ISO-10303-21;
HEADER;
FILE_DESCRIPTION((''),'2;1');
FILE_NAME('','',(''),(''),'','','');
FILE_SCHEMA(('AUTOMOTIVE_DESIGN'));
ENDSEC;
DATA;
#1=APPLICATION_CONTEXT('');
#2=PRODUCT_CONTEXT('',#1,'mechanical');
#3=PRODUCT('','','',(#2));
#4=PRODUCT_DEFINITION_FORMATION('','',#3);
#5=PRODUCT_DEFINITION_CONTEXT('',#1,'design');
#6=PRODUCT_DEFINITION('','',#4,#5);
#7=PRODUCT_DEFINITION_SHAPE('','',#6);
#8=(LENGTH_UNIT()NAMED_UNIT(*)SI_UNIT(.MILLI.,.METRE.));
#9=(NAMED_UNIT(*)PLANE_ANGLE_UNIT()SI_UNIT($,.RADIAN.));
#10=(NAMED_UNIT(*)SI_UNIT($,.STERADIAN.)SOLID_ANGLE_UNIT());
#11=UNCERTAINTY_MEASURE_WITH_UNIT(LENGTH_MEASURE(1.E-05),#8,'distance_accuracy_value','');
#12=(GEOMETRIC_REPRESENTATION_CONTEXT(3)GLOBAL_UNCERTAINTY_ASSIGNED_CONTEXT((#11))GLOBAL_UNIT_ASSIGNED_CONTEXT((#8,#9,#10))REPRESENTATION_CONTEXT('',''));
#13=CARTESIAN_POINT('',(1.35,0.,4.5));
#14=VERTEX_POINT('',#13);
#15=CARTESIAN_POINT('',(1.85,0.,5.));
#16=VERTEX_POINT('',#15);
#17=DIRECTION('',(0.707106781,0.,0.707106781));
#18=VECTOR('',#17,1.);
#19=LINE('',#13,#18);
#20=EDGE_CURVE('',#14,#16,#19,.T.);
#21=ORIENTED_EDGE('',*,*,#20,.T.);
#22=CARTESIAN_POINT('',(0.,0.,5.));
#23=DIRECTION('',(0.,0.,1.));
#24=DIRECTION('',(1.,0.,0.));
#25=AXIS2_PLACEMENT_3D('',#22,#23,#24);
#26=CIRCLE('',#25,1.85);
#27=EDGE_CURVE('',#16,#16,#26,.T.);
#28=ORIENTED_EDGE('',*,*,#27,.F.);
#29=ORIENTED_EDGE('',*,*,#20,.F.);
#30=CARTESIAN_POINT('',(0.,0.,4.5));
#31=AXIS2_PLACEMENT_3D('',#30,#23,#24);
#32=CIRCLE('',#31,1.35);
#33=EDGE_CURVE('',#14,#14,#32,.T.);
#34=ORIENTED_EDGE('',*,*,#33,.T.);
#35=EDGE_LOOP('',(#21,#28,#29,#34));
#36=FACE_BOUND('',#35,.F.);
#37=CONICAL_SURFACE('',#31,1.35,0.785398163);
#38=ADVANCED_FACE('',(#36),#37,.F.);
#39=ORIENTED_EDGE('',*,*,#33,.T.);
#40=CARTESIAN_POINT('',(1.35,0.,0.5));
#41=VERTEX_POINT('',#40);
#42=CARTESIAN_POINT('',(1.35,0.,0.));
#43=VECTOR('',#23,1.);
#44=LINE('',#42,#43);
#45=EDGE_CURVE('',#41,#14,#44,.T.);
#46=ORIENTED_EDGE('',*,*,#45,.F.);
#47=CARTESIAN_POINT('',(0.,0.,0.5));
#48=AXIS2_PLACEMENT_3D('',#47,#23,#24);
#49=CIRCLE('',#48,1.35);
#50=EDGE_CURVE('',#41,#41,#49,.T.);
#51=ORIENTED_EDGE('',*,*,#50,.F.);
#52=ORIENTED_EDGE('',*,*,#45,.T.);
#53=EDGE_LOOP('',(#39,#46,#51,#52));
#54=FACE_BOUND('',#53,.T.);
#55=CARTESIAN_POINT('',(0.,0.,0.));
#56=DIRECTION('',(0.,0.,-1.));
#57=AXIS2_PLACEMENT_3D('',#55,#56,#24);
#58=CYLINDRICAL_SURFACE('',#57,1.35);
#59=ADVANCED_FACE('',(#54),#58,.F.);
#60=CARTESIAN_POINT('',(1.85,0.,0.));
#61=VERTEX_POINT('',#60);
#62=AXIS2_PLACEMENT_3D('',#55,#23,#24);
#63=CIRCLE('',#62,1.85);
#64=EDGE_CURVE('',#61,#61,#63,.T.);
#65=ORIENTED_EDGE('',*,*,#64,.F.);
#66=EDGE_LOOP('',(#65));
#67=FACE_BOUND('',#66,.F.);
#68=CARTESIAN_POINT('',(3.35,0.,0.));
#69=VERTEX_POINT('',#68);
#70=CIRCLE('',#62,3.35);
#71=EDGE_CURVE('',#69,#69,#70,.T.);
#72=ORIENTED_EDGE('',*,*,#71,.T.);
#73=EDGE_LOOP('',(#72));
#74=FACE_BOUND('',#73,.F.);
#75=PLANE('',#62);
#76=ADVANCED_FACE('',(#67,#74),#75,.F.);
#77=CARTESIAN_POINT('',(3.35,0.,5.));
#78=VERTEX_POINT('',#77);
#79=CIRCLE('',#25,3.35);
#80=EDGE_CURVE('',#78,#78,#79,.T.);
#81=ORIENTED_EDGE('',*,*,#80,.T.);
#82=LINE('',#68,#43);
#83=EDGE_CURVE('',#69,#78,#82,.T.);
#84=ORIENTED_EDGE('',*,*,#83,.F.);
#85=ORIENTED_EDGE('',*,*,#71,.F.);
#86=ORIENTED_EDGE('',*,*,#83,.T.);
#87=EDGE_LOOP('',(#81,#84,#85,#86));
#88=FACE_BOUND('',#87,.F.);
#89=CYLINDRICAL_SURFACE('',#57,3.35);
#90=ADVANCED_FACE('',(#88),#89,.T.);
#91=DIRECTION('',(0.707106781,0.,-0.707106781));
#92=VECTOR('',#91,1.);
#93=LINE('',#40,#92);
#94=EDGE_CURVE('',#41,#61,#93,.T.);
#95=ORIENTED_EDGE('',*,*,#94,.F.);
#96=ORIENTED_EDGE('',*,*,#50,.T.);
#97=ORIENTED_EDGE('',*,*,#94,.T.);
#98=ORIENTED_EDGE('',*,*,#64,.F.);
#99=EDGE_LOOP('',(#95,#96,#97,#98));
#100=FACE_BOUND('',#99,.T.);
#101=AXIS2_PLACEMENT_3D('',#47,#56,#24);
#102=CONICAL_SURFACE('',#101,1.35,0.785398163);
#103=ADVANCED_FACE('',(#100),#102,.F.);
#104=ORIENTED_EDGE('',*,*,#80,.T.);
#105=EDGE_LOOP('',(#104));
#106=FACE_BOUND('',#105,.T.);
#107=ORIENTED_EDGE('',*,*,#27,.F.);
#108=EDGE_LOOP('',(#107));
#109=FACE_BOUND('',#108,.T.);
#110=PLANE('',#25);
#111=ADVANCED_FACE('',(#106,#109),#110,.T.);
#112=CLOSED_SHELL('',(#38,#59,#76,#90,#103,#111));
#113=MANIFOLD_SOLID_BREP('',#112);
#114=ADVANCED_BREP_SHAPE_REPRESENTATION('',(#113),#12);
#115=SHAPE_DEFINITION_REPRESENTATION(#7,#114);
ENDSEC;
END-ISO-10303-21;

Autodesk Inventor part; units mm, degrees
ref_plane "YZ Plane" through (0, 0, 0) normal (1, 0, 0) x (0, 1, 0)
ref_plane "XZ Plane" through (0, 0, 0) normal (0, 1, 0) x (-1, 0, 0)
ref_plane "XY Plane" through (0, 0, 0) normal (0, 0, 1) x (1, 0, 0)
sketch "Sketch1" plane through (0, 0, 0) normal (0, 0, 1) x (1, 0, 0)
  circle A0 centre (0, 0) radius 1.35
  circle A1 centre (0, 0) radius 3.35
  dimension "d0" = 2.7
  dimension "d1" = 2
extrude "Extrusion1" add sketch "Sketch1" along normal blind 5
chamfer "Chamfer1" distance 0.5 angle 45 2 edges at (-1.35, 0, 5) (-1.35, 0, 0)
properties part number "caster-rod-clamp"
